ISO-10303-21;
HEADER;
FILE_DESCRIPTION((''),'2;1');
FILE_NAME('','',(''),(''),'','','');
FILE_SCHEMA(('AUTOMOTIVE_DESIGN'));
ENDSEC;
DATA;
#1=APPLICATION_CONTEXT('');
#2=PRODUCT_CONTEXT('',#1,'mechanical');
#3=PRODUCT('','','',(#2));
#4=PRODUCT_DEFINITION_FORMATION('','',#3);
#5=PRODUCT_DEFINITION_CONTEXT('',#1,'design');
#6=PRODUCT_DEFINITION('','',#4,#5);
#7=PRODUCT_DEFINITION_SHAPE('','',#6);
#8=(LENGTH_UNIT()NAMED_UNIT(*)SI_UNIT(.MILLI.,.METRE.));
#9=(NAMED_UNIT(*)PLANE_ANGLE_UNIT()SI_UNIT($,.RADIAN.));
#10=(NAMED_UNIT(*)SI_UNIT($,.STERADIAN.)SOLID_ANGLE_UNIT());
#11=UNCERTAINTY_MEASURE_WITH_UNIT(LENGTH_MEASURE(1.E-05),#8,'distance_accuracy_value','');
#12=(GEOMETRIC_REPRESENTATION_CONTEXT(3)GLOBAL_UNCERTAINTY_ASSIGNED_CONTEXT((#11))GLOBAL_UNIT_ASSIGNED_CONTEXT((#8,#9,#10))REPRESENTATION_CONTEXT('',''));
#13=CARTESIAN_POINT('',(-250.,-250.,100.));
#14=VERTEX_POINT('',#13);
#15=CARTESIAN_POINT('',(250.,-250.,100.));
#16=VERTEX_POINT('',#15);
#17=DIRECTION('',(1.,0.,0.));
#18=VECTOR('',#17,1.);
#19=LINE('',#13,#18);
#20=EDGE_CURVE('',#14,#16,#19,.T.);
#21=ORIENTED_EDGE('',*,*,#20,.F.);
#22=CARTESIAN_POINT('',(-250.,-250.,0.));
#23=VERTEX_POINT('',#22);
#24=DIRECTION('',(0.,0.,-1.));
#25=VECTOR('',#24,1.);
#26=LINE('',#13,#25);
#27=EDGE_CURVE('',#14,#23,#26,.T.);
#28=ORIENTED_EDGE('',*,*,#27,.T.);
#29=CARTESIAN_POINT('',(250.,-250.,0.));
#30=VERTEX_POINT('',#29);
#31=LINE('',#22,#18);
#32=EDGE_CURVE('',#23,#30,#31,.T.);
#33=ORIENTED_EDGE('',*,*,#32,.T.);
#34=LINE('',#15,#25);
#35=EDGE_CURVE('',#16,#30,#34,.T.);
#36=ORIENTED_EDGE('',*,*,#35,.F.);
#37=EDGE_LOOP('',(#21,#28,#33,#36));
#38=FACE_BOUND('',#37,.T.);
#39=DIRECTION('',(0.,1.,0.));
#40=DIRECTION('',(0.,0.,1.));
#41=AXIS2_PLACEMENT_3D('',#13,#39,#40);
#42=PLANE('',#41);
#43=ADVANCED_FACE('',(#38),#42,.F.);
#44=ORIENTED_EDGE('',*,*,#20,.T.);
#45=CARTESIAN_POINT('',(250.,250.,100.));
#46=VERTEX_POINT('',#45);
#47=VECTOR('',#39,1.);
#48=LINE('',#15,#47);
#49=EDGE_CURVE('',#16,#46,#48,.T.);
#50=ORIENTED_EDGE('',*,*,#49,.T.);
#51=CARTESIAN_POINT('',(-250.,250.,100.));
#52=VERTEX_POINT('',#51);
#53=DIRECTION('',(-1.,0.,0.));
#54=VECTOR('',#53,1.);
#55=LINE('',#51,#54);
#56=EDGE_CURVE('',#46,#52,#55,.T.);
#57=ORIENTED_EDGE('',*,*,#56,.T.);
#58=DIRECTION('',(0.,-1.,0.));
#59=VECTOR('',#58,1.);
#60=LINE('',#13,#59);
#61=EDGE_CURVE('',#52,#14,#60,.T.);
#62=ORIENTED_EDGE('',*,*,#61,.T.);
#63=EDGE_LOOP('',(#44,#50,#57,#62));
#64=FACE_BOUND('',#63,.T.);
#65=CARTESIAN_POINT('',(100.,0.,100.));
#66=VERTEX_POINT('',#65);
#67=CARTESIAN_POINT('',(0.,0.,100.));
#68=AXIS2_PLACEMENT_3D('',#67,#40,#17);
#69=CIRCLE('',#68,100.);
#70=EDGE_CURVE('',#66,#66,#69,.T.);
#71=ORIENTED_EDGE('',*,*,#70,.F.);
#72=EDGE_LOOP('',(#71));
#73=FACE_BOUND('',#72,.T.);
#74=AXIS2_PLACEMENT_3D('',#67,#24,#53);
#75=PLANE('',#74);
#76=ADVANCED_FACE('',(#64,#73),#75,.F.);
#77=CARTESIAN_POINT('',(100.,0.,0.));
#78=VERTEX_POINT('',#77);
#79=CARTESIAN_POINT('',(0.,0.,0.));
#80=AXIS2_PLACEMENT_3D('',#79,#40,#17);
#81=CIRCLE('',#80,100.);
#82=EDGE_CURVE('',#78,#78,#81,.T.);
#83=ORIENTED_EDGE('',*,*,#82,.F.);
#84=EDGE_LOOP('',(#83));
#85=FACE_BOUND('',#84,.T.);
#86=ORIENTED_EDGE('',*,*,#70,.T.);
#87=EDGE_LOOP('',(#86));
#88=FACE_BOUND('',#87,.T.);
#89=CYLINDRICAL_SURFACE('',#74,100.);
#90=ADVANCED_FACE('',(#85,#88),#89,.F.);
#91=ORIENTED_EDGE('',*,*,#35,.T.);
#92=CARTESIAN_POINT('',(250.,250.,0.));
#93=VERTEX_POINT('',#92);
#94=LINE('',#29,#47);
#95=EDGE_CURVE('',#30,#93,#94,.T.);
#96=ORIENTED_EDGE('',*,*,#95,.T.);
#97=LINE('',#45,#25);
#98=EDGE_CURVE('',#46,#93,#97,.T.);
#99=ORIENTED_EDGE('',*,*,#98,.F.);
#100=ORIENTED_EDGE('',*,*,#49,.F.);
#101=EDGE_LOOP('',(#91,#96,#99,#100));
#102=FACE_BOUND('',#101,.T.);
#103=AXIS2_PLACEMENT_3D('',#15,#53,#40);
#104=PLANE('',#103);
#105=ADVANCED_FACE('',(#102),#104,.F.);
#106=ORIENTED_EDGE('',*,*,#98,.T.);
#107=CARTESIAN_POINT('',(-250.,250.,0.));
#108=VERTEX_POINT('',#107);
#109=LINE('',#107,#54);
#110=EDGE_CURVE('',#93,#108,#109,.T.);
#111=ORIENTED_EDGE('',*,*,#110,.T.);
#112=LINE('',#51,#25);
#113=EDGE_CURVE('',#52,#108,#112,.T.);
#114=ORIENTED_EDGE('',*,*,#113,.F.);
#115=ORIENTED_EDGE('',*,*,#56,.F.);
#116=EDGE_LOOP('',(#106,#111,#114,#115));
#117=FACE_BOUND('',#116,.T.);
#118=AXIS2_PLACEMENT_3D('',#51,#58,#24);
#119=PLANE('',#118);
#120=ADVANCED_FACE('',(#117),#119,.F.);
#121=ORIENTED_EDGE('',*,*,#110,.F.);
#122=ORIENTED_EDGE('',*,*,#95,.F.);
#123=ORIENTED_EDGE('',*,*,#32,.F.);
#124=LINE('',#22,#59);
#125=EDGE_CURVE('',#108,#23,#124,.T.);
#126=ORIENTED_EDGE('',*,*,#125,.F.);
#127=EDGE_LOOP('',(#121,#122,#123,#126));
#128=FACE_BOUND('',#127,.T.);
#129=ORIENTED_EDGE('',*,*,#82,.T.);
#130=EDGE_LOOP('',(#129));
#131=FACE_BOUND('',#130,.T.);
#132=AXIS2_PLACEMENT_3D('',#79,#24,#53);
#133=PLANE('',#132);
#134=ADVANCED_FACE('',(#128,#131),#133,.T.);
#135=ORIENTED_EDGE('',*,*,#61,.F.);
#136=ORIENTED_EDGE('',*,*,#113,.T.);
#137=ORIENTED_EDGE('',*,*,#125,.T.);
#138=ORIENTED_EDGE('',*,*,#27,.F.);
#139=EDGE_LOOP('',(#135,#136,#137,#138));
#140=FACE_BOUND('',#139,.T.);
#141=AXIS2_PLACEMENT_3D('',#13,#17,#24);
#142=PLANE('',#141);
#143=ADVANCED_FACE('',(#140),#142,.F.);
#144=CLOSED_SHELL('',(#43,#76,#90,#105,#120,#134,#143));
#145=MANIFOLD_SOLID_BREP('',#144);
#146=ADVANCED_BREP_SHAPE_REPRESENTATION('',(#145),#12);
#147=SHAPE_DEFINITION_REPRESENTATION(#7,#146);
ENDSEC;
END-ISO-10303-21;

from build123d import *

# Parameters (mm, degrees)
SKETCH_1_W          = 500
SKETCH_1_H          = 500
EXTRUDE_1_DEPTH     = 100
SKETCH_2_R          = 100
CUT_EXTRUDE_1_DEPTH = 368.423461417


with BuildPart() as part:
    # 草图1 → 凸台-拉伸1 (new body)
    with BuildSketch(Plane.XY):
        Rectangle(SKETCH_1_W, SKETCH_1_H)
    extrude(amount=EXTRUDE_1_DEPTH)

    # 草图2 → 切除-拉伸1 (cut, through all)
    with BuildSketch(Plane.XY):
        Circle(SKETCH_2_R)
    extrude(amount=CUT_EXTRUDE_1_DEPTH, mode=Mode.SUBTRACT)


solid = part.part
